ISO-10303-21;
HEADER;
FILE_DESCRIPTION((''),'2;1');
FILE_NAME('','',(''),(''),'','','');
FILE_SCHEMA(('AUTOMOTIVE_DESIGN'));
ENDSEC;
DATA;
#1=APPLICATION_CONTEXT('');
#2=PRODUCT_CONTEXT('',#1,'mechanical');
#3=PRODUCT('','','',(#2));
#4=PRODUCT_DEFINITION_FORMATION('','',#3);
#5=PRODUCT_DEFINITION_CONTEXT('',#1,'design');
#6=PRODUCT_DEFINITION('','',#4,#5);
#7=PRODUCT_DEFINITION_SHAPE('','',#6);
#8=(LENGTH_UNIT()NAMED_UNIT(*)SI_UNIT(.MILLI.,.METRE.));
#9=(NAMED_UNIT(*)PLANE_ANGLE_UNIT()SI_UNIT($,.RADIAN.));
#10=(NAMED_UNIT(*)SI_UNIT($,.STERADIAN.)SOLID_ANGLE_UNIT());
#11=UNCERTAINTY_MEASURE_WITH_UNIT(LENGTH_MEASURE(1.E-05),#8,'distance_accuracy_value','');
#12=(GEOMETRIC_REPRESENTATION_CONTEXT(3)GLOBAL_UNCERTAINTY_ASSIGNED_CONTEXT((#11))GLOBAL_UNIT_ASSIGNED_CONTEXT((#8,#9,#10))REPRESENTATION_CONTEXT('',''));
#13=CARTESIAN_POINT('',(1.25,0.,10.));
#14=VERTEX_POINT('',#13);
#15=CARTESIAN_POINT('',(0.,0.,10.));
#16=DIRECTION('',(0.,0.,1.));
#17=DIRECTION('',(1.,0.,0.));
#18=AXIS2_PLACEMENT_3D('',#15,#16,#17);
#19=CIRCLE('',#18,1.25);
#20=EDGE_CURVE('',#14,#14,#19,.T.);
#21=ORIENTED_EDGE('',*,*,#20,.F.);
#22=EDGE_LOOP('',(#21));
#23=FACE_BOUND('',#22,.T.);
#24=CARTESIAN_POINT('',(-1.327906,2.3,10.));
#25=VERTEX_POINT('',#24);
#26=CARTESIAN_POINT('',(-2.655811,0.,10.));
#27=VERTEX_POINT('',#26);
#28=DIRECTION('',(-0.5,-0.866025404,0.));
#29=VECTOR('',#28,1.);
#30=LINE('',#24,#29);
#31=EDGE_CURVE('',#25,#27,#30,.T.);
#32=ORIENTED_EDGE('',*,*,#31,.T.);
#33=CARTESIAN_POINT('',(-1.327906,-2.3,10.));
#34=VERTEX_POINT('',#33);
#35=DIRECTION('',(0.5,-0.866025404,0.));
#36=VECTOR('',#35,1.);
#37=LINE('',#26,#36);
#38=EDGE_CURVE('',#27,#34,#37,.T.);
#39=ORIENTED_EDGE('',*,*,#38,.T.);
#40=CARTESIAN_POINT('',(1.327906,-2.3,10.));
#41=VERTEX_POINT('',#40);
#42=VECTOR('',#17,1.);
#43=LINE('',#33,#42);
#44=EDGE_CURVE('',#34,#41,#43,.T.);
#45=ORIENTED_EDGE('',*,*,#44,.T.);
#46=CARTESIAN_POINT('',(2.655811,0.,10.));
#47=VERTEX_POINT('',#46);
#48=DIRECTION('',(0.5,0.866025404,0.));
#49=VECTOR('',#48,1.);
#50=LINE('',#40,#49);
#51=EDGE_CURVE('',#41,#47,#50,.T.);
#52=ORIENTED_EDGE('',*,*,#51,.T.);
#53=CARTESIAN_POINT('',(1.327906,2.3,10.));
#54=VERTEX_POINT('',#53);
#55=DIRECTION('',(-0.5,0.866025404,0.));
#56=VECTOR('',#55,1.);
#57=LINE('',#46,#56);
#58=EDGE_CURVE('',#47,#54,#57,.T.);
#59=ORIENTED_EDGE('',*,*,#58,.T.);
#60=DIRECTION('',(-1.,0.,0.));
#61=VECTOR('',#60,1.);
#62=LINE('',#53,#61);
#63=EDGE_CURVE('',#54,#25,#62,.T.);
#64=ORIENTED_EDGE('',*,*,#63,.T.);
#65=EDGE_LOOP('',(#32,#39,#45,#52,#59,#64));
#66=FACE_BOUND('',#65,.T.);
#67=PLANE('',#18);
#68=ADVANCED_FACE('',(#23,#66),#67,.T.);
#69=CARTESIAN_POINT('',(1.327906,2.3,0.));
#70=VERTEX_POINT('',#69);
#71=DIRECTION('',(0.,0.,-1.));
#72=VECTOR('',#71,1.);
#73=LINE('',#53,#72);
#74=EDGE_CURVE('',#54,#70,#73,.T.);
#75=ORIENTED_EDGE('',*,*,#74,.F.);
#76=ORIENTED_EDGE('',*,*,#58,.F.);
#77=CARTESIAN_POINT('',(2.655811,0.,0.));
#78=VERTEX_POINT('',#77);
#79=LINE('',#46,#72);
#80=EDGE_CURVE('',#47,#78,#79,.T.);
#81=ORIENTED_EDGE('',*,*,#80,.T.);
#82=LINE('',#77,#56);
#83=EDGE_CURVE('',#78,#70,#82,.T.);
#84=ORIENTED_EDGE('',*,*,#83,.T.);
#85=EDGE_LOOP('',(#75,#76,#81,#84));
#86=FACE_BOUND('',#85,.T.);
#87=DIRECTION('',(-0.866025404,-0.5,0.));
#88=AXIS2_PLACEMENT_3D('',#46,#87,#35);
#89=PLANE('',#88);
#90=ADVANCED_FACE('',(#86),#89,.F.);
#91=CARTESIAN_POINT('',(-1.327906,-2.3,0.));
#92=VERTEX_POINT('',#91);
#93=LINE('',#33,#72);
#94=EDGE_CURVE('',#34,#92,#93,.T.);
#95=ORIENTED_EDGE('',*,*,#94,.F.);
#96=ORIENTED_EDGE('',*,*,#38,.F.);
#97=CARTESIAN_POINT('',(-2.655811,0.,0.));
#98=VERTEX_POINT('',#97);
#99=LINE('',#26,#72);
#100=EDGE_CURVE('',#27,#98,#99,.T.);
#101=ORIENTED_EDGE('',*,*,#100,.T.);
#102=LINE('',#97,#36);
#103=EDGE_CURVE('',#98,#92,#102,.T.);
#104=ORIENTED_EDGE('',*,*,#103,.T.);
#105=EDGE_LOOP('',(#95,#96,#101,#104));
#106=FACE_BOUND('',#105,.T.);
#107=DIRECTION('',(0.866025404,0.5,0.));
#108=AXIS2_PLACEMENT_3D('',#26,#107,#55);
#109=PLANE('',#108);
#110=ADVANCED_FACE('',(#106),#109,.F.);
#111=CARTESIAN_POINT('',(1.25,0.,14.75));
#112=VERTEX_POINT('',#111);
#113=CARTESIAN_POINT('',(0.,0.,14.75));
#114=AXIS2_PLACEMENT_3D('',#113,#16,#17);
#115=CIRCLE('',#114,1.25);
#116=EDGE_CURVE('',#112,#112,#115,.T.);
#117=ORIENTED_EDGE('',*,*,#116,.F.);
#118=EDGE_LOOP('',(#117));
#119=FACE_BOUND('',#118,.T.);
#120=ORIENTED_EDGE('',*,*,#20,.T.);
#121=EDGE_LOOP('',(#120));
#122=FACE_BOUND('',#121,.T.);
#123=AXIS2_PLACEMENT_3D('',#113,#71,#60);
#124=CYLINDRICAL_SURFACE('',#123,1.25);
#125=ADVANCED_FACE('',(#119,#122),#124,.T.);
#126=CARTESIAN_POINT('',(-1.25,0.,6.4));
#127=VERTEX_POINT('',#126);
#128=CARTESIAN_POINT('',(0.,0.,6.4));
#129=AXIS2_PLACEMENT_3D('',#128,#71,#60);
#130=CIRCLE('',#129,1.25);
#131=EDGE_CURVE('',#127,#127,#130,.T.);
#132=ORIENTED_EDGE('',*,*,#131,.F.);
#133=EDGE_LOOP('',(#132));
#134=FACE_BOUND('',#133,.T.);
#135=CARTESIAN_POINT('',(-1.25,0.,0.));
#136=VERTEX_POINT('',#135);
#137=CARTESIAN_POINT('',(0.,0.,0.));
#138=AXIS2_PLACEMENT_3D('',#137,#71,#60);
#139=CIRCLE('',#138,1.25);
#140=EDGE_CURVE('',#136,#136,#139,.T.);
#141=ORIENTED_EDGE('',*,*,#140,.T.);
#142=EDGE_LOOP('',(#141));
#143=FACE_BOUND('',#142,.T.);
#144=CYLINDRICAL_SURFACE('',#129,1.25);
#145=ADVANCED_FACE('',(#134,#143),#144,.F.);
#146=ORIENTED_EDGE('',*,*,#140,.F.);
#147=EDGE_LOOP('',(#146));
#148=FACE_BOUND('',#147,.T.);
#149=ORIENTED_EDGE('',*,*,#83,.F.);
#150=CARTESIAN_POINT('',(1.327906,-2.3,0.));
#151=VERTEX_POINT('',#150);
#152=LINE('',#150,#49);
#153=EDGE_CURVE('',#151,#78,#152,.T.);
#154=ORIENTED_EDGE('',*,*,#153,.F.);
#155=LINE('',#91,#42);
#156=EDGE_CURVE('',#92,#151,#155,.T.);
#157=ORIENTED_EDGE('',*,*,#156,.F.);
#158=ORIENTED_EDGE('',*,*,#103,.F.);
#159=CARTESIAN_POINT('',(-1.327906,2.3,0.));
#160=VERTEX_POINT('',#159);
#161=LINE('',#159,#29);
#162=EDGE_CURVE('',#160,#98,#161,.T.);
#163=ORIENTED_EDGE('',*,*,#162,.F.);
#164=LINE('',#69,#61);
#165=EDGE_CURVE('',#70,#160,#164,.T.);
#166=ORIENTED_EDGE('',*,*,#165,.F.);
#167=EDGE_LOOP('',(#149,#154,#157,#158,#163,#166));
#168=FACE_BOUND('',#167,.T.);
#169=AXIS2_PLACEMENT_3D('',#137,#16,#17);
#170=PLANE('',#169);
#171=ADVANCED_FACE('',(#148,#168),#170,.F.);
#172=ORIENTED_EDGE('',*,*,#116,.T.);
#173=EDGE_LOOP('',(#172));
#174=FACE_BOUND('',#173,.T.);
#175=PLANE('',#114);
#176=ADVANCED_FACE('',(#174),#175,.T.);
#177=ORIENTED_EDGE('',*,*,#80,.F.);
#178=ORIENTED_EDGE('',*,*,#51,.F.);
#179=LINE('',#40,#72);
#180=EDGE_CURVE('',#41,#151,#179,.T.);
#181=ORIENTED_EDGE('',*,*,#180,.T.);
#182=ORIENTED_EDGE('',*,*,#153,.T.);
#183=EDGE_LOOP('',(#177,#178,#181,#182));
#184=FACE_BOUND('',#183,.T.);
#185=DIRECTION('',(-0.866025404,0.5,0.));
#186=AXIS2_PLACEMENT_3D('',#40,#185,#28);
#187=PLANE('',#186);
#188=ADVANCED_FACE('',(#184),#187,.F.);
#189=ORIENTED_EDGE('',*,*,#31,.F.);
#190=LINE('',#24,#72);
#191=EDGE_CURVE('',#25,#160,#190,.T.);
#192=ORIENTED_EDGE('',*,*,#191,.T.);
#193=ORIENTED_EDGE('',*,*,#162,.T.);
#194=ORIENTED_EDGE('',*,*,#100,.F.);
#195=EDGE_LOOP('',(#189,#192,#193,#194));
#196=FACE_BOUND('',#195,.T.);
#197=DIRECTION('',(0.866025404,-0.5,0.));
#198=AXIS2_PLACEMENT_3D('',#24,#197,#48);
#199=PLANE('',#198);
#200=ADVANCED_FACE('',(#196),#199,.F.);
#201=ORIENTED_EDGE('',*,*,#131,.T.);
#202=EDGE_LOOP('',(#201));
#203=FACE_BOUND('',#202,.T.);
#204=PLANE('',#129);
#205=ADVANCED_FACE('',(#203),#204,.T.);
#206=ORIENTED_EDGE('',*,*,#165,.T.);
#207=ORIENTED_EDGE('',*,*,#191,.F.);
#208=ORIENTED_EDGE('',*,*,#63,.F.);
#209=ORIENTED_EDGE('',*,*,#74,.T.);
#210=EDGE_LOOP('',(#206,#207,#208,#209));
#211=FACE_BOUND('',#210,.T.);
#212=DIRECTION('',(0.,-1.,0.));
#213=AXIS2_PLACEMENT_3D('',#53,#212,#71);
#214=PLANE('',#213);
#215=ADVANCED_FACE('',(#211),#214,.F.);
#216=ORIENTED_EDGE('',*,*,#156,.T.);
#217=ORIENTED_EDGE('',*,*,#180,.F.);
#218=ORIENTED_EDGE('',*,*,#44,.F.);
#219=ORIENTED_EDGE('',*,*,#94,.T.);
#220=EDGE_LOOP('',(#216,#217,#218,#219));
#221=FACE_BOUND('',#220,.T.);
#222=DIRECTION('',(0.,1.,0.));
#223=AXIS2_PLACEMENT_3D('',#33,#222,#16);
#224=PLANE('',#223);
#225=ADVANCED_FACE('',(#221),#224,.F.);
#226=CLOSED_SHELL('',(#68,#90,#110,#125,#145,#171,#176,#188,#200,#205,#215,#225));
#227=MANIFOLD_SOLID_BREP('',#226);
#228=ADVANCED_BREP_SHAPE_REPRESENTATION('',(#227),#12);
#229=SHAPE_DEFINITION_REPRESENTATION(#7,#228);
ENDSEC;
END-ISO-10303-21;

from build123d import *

# Parameters (mm, degrees)
BODY_DEPTH                      = 10
SKIZZE2_R                       = 1.25
THREAD_DEPTH                    = 4.75
SKIZZE3_R                       = 1.25
SCHNITT_LINEAR_AUSTRAGEN1_DEPTH = 6.4


with BuildPart() as part:
    # Skizze1 → Body (new body)
    with BuildSketch(Plane.XY):
        Polygon((2.655811238, 0), (1.327905619, 2.3), (-1.327905619, 2.3), (-2.655811238, 0), (-1.327905619, -2.3), (1.327905619, -2.3), align=None)
    extrude(amount=BODY_DEPTH)

    # Skizze2 → Thread (add)
    with BuildSketch(Plane.XY.offset(10)):
        Circle(SKIZZE2_R)
    extrude(amount=THREAD_DEPTH)

    # Skizze3 → Schnitt-Linear austragen1 (cut)
    with BuildSketch(Plane(origin=(0, 0, 0), x_dir=(-1, 0, 0), z_dir=(0, 0, -1))):
        with Locations(Location((0, 0, 0), (0, 0, 180))):
            Circle(SKIZZE3_R)
    extrude(amount=-SCHNITT_LINEAR_AUSTRAGEN1_DEPTH, mode=Mode.SUBTRACT)


solid = part.part
